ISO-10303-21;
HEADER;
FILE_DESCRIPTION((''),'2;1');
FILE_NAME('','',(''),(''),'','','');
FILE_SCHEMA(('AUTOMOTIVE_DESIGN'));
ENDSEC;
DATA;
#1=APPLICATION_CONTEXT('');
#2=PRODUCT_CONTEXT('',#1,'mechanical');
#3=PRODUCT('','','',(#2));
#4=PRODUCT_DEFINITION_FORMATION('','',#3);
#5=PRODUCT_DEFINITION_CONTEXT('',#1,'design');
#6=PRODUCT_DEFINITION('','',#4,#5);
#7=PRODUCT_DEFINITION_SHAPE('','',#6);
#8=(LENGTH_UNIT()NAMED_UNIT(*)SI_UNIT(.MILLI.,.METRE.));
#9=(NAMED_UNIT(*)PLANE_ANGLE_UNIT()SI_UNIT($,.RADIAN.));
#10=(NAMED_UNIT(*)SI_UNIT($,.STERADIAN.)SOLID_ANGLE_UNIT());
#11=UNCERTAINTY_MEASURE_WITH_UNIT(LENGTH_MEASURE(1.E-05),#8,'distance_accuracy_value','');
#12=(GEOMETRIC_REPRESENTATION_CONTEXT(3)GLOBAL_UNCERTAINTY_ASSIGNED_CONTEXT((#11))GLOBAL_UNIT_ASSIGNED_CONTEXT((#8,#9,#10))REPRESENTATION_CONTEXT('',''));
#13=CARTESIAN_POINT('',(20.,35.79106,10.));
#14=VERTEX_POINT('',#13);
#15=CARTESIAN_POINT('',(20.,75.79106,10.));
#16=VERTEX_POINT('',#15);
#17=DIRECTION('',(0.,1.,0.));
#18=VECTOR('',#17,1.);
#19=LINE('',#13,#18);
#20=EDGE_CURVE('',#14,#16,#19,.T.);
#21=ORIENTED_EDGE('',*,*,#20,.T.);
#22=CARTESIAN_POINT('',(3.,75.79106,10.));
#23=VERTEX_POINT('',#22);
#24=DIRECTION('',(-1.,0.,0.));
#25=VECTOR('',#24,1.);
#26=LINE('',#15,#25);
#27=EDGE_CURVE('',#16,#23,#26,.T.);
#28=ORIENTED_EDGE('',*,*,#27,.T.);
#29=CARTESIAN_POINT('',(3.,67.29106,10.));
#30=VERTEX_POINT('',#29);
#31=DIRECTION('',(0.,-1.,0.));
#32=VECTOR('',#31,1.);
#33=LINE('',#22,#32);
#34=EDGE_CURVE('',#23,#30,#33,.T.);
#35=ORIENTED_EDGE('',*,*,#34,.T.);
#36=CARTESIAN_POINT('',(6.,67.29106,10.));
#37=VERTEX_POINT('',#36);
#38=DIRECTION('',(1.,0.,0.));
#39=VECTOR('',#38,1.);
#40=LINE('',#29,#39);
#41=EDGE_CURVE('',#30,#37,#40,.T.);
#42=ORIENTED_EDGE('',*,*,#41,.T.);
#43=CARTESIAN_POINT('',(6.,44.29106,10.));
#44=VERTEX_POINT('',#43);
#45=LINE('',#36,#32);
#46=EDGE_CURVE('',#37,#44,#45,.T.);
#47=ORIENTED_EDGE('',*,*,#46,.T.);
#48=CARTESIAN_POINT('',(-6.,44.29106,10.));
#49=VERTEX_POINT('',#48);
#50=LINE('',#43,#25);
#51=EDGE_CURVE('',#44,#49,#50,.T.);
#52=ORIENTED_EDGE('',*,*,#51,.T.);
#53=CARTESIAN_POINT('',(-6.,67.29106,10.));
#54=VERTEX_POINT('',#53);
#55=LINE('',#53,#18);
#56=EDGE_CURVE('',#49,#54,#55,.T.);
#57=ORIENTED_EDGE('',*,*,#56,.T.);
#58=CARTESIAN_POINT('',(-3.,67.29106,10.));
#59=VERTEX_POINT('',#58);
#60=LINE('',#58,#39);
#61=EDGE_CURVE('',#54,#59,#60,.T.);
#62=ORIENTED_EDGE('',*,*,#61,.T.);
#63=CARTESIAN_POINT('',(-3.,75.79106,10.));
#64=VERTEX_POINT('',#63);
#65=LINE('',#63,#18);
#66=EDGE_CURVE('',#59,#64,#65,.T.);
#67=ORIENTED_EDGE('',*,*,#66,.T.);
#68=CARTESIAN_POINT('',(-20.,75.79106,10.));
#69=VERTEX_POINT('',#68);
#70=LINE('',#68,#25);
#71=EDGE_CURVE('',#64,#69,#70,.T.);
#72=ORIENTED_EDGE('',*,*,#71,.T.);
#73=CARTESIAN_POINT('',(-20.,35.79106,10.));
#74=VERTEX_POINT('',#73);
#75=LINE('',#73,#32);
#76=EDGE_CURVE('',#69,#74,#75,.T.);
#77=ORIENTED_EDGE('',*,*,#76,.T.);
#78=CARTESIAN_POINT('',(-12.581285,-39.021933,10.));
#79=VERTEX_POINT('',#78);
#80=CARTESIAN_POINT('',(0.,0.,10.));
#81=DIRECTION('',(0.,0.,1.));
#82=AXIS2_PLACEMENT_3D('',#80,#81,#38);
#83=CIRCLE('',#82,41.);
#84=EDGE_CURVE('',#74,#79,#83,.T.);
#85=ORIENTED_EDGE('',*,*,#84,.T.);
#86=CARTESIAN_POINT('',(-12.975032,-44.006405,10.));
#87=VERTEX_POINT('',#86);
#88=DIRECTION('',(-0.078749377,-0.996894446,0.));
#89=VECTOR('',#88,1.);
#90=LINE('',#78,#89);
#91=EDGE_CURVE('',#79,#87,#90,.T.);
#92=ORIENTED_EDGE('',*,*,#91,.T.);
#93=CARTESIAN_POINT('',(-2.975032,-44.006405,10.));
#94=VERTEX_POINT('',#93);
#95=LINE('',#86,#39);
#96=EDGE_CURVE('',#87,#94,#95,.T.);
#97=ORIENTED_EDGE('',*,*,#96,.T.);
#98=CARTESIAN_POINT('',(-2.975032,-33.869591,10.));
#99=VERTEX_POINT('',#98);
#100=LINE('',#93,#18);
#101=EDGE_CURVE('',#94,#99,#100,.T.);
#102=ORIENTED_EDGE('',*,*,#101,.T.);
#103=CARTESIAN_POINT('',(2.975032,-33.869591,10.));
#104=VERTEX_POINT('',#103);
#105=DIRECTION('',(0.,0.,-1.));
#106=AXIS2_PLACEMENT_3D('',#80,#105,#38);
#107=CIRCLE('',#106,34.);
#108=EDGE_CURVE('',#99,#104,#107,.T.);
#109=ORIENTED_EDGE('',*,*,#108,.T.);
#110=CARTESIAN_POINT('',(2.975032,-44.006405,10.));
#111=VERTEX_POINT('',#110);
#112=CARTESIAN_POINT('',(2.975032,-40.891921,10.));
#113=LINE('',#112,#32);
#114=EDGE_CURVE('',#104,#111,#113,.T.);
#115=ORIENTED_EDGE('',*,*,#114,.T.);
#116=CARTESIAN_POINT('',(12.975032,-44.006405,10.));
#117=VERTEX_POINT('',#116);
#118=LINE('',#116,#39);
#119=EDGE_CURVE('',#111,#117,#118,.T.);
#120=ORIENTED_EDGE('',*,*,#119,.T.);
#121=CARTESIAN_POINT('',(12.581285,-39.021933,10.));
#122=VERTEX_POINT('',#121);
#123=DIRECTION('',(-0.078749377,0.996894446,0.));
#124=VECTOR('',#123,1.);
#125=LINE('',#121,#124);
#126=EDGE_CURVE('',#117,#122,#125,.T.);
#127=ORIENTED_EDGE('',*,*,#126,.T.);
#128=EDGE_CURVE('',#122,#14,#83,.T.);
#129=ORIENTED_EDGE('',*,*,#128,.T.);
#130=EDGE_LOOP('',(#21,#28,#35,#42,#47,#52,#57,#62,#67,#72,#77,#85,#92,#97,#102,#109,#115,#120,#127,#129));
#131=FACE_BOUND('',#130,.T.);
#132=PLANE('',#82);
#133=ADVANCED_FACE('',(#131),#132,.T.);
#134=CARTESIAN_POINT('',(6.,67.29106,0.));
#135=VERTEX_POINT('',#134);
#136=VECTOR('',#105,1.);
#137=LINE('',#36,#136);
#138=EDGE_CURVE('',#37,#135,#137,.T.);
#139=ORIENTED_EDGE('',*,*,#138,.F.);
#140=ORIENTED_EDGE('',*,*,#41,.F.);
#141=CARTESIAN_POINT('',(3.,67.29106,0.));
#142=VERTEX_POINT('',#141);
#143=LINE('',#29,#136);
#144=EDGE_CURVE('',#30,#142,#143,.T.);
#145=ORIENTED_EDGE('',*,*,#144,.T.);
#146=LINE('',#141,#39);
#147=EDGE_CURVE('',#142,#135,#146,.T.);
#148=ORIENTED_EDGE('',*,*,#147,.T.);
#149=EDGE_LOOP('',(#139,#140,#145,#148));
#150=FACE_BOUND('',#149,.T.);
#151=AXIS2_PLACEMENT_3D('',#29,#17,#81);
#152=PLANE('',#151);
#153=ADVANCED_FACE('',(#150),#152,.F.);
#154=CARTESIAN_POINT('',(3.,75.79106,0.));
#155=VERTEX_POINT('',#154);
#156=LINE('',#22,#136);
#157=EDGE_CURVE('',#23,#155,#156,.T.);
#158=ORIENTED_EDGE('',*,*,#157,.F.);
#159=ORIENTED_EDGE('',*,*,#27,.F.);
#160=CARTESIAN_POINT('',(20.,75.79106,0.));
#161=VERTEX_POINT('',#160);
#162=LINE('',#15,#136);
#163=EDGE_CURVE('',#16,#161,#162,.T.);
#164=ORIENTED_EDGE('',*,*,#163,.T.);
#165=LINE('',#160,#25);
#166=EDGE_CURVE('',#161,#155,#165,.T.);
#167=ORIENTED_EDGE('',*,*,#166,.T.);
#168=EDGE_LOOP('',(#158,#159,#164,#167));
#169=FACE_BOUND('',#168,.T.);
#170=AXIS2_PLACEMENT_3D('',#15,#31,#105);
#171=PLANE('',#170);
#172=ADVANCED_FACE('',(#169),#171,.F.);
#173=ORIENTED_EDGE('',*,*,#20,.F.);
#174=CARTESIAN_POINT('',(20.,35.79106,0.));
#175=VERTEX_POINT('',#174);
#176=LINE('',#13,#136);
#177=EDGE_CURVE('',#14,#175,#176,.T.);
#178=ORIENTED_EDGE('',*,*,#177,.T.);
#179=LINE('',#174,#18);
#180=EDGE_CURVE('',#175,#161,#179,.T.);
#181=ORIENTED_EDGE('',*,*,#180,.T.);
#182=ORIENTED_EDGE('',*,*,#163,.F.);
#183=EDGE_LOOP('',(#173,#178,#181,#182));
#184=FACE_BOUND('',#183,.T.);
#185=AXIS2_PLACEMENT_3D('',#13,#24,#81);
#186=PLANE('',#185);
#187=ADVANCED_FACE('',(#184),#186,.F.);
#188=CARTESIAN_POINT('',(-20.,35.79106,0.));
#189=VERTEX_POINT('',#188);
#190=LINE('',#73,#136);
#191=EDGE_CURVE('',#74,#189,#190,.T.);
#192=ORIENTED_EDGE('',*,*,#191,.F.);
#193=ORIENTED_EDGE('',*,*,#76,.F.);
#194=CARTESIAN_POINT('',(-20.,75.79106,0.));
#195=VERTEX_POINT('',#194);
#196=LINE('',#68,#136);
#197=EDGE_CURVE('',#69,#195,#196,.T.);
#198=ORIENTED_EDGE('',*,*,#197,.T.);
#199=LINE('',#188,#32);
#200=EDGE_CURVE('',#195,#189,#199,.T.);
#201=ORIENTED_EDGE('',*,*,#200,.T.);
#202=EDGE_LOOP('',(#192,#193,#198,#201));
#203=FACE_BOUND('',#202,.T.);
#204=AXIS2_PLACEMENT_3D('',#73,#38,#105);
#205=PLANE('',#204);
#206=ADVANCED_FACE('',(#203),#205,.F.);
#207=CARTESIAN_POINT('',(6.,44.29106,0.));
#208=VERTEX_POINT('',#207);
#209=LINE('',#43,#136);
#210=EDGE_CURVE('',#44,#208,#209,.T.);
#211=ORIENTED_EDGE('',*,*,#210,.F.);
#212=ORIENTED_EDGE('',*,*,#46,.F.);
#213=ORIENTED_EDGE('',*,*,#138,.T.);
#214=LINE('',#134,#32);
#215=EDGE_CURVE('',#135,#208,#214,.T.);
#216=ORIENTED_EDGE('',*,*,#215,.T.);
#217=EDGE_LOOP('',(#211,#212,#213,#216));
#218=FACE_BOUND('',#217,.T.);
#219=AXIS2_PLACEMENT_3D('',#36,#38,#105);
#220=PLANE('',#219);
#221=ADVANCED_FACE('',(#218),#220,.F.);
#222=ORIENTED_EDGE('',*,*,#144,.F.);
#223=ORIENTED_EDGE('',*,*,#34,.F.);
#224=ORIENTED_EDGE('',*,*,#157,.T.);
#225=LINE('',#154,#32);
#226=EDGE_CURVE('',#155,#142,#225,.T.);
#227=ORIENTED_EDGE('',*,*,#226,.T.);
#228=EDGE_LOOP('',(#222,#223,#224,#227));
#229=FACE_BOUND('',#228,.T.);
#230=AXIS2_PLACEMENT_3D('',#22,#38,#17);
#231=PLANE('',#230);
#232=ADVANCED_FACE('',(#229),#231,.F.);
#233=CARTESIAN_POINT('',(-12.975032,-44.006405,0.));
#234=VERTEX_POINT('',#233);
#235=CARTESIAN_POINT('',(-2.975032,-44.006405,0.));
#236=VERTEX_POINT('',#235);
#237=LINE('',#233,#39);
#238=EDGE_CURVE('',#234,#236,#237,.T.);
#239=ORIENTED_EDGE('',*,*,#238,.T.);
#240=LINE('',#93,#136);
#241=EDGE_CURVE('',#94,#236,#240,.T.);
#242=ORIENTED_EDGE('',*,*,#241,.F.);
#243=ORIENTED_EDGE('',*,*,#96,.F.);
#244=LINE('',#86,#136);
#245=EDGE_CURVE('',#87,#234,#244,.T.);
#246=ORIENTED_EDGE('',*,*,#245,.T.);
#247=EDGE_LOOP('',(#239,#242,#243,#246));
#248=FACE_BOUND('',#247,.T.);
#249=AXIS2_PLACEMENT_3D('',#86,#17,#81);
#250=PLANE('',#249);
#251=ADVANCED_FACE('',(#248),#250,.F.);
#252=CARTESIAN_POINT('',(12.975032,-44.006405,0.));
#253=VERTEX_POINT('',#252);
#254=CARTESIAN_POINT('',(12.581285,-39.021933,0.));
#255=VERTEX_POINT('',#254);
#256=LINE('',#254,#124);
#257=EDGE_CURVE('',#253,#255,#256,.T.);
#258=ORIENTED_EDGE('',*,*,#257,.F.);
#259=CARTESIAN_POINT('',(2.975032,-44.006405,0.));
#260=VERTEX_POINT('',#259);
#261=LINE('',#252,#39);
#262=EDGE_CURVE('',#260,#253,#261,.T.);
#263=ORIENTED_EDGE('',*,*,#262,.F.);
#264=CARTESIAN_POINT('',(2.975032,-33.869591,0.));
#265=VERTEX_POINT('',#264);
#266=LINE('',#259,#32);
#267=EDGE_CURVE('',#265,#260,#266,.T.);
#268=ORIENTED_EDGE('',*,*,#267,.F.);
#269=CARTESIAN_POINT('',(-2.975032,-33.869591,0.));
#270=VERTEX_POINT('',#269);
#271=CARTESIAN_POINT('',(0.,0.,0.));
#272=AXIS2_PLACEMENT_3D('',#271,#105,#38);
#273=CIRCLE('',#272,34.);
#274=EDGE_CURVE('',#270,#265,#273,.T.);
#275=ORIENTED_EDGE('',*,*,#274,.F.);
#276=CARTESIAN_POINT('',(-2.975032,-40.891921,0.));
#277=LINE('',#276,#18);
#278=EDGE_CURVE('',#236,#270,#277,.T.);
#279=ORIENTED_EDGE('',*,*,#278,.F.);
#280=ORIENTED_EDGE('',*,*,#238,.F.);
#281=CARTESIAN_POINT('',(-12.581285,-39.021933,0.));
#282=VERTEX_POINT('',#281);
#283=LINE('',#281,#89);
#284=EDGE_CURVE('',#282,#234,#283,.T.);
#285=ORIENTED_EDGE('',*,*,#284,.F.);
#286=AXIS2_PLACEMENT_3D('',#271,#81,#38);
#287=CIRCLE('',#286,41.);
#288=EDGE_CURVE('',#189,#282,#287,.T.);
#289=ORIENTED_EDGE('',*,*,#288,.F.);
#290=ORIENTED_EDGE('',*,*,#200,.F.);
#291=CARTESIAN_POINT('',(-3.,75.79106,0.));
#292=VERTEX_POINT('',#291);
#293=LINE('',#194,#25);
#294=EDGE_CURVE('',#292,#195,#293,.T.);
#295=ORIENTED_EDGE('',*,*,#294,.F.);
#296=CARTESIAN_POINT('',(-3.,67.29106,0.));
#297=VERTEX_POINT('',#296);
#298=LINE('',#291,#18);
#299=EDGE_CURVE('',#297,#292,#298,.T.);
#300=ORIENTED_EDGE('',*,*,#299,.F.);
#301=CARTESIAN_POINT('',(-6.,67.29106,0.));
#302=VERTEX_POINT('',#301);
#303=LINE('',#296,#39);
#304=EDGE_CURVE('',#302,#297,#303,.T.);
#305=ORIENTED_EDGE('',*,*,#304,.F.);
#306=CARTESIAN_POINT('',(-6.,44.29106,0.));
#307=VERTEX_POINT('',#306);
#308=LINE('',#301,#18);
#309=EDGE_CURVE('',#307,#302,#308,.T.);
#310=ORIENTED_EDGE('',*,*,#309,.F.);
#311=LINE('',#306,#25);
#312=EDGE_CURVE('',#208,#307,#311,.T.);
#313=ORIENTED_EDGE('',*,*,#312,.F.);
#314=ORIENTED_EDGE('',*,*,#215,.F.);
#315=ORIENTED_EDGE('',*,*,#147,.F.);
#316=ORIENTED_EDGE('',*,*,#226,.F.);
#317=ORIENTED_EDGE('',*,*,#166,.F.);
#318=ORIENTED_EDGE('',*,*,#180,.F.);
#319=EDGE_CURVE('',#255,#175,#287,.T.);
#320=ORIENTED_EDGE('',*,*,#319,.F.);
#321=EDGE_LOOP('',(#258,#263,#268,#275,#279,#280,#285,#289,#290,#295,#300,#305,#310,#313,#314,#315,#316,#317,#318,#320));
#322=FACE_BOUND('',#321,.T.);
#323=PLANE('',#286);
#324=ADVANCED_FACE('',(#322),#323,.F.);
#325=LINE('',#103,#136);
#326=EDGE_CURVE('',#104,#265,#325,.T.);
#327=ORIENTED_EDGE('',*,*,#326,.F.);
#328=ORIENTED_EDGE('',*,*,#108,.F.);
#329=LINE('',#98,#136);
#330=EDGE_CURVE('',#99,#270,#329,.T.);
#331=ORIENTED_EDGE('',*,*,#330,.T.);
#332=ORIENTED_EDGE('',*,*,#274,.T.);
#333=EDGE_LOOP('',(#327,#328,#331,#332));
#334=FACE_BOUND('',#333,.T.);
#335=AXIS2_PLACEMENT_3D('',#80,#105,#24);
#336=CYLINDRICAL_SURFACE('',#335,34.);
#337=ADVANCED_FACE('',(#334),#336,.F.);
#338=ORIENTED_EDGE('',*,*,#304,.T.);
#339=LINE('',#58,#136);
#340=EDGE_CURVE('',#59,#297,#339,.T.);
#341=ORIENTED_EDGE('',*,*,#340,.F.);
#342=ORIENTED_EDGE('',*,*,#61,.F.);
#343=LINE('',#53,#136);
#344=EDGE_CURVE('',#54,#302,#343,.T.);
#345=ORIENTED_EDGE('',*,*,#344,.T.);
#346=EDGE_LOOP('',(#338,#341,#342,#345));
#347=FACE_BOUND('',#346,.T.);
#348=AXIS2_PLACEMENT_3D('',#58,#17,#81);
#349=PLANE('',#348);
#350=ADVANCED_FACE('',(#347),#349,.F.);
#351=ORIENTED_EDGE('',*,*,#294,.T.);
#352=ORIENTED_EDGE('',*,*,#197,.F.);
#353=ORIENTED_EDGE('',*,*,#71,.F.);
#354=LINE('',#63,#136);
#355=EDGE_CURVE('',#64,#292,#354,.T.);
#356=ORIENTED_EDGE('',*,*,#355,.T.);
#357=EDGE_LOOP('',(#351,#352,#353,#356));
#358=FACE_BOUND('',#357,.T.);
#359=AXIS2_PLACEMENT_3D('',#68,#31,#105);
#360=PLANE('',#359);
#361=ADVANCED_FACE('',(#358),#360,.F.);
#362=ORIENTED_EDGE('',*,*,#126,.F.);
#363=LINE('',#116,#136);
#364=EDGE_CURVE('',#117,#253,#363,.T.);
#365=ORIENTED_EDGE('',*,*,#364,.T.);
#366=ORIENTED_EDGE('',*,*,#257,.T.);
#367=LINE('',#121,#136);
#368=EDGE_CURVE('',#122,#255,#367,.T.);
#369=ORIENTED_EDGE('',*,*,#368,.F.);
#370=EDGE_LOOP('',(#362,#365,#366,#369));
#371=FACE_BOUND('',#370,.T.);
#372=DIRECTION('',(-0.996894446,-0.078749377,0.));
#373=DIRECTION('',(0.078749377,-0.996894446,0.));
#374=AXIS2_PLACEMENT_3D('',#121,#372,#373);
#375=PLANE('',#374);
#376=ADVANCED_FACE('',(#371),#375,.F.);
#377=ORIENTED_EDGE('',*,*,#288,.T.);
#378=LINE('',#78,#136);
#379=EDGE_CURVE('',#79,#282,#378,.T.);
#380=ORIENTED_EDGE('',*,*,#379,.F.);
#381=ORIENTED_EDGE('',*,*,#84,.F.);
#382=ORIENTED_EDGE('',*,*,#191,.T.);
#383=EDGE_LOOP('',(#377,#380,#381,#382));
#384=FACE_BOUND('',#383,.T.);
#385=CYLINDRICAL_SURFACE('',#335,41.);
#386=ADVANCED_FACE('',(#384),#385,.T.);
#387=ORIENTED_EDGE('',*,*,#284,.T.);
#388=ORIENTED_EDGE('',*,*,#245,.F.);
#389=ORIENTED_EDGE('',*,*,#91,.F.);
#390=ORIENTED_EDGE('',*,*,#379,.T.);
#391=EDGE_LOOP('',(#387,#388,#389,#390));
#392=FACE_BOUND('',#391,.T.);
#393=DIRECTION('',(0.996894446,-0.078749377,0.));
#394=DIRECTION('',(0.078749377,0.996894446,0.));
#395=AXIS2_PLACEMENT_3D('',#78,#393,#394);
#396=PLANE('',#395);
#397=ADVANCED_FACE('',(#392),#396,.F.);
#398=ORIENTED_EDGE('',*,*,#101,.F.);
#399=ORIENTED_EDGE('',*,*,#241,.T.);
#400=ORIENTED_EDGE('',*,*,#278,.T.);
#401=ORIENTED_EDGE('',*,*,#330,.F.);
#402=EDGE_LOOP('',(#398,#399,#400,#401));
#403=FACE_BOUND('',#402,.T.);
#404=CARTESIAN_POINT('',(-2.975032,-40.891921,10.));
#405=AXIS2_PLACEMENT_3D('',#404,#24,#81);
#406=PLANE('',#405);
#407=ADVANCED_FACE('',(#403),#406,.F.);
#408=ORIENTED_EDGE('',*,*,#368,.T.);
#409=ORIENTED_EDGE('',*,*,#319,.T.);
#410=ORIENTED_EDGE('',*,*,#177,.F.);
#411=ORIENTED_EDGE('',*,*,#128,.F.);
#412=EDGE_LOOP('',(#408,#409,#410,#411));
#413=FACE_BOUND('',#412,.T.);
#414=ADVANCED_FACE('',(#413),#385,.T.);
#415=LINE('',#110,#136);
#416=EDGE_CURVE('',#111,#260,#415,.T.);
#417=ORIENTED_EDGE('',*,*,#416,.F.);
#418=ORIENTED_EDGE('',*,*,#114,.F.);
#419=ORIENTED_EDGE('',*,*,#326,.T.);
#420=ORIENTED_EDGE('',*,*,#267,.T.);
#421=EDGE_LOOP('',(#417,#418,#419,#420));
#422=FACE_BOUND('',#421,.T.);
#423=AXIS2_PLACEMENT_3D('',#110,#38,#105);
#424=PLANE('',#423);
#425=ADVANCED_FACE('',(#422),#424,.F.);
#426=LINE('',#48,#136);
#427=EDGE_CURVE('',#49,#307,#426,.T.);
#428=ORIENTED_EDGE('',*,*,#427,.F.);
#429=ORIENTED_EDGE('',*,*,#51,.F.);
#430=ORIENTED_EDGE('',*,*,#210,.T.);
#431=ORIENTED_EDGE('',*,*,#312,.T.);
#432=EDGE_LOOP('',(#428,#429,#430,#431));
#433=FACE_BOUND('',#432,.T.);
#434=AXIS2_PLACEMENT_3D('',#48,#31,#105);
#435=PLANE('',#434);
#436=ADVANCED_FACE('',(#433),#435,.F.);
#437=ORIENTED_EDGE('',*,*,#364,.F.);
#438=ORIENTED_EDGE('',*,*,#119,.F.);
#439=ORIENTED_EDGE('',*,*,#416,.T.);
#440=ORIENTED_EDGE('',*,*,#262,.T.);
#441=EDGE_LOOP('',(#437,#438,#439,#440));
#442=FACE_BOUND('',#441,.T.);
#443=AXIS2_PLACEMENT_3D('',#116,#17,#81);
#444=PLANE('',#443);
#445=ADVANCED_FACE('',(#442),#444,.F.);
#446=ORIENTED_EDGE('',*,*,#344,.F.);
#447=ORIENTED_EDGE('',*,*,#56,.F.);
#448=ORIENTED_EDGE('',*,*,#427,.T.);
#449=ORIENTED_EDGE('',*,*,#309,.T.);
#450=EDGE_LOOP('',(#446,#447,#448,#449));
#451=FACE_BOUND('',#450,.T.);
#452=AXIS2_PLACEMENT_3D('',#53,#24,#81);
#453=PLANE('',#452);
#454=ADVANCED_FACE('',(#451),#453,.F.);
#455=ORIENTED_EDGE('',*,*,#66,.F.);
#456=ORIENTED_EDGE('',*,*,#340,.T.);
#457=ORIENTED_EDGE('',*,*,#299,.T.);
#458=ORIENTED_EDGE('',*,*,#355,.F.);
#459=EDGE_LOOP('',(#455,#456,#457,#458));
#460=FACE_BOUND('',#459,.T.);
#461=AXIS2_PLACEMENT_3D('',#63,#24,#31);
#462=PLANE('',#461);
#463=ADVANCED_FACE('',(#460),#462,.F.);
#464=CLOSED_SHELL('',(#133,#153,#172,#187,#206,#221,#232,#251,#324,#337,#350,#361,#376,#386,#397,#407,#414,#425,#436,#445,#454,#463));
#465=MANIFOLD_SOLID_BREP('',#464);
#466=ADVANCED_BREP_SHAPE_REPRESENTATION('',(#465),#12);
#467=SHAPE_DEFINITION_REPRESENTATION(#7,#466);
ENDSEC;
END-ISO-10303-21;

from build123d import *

# Parameters (mm, degrees)
SALIENTE_EXTRUIR1_DEPTH = 10


with BuildPart() as part:
    # Croquis1 → Saliente-Extruir1 (new body)
    with BuildSketch(Plane.XY):
        with BuildLine():
            Line((-20, 35.791060336), (-20, 75.791060336))
            Line((-20, 75.791060336), (-3, 75.791060336))
            Line((-3, 75.791060336), (-3, 67.291060336))
            Line((-3, 67.291060336), (-6, 67.291060336))
            Line((-6, 67.291060336), (-6, 44.291060336))
            Line((-6, 44.291060336), (-3, 44.291060336))
            Line((-3, 44.291060336), (3, 44.291060336))
            Line((3, 44.291060336), (6, 44.291060336))
            Line((6, 44.291060336), (6, 67.291060336))
            Line((6, 67.291060336), (3, 67.291060336))
            Line((3, 67.291060336), (3, 75.791060336))
            Line((3, 75.791060336), (20, 75.791060336))
            Line((20, 75.791060336), (20, 35.791060336))
            ThreePointArc((20, 35.791060336), (40.799890092, -4.04585819), (12.581284853, -39.02193321))
            Line((12.581284853, -39.02193321), (12.975031737, -44.006405438))
            Line((12.975031737, -44.006405438), (2.975031737, -44.006405438))
            Line((2.975031737, -44.006405438), (2.975031737, -40.891920793))
            Line((2.975031737, -40.891920793), (2.975031737, -33.869590877))
            ThreePointArc((2.975031737, -33.869590877), (0, 34), (-2.975031737, -33.869590877))
            Line((-2.975031737, -33.869590877), (-2.975031737, -40.891920793))
            Line((-2.975031737, -40.891920793), (-2.975031737, -44.006405438))
            Line((-2.975031737, -44.006405438), (-12.975031737, -44.006405438))
            Line((-12.975031737, -44.006405438), (-12.581284853, -39.02193321))
            ThreePointArc((-12.581284853, -39.02193321), (-40.799890092, -4.04585819), (-20, 35.791060336))
        make_face()
    extrude(amount=SALIENTE_EXTRUIR1_DEPTH)


solid = part.part
